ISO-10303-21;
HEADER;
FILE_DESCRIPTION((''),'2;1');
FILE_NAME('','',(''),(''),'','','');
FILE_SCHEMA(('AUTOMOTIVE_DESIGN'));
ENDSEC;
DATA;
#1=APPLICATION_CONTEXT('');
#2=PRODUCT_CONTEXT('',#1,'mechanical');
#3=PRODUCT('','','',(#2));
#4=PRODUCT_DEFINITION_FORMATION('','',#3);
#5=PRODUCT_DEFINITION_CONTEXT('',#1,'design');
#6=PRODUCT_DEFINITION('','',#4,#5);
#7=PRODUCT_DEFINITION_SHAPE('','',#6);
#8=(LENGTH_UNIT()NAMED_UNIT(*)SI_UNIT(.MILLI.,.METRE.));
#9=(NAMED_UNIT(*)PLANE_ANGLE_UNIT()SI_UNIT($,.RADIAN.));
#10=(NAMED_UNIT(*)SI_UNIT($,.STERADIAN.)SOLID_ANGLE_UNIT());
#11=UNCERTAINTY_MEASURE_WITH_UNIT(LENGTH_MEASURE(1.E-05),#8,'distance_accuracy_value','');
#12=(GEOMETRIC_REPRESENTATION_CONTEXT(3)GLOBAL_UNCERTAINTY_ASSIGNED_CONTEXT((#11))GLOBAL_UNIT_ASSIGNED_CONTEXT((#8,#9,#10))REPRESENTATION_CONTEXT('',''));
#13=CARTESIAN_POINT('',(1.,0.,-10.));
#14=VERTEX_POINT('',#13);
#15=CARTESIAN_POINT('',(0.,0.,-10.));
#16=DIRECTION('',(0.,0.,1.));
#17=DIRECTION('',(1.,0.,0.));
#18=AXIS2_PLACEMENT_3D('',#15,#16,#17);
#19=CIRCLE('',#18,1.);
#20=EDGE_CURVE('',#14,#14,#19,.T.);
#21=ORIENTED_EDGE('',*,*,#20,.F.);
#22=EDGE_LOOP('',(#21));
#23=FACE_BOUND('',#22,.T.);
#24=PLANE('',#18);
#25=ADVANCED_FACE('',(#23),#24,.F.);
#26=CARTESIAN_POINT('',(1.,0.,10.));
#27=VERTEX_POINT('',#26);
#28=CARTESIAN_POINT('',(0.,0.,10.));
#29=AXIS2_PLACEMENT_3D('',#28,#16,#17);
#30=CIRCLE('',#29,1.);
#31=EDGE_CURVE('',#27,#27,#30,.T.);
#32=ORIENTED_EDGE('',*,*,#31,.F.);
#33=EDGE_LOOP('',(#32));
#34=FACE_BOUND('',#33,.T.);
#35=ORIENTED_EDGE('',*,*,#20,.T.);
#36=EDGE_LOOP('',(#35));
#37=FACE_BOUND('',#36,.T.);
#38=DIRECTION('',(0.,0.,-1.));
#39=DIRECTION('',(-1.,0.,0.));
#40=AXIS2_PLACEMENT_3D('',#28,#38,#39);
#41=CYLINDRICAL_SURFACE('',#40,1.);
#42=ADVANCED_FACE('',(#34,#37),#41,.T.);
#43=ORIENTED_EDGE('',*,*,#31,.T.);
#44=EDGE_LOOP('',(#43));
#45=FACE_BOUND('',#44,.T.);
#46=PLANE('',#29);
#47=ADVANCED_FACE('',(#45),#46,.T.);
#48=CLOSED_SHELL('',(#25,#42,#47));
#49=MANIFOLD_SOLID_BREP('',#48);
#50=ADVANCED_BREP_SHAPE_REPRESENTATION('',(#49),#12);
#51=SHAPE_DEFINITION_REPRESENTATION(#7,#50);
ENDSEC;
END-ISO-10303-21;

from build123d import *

# Parameters (mm, degrees)
SKETCH_1_R      = 1
EXTRUDE_1_DEPTH = 10


with BuildPart() as part:
    # 草图1 → 凸台-拉伸1 (new body, symmetric)
    with BuildSketch(Plane.XY):
        Circle(SKETCH_1_R)
    extrude(amount=EXTRUDE_1_DEPTH, both=True)


solid = part.part
